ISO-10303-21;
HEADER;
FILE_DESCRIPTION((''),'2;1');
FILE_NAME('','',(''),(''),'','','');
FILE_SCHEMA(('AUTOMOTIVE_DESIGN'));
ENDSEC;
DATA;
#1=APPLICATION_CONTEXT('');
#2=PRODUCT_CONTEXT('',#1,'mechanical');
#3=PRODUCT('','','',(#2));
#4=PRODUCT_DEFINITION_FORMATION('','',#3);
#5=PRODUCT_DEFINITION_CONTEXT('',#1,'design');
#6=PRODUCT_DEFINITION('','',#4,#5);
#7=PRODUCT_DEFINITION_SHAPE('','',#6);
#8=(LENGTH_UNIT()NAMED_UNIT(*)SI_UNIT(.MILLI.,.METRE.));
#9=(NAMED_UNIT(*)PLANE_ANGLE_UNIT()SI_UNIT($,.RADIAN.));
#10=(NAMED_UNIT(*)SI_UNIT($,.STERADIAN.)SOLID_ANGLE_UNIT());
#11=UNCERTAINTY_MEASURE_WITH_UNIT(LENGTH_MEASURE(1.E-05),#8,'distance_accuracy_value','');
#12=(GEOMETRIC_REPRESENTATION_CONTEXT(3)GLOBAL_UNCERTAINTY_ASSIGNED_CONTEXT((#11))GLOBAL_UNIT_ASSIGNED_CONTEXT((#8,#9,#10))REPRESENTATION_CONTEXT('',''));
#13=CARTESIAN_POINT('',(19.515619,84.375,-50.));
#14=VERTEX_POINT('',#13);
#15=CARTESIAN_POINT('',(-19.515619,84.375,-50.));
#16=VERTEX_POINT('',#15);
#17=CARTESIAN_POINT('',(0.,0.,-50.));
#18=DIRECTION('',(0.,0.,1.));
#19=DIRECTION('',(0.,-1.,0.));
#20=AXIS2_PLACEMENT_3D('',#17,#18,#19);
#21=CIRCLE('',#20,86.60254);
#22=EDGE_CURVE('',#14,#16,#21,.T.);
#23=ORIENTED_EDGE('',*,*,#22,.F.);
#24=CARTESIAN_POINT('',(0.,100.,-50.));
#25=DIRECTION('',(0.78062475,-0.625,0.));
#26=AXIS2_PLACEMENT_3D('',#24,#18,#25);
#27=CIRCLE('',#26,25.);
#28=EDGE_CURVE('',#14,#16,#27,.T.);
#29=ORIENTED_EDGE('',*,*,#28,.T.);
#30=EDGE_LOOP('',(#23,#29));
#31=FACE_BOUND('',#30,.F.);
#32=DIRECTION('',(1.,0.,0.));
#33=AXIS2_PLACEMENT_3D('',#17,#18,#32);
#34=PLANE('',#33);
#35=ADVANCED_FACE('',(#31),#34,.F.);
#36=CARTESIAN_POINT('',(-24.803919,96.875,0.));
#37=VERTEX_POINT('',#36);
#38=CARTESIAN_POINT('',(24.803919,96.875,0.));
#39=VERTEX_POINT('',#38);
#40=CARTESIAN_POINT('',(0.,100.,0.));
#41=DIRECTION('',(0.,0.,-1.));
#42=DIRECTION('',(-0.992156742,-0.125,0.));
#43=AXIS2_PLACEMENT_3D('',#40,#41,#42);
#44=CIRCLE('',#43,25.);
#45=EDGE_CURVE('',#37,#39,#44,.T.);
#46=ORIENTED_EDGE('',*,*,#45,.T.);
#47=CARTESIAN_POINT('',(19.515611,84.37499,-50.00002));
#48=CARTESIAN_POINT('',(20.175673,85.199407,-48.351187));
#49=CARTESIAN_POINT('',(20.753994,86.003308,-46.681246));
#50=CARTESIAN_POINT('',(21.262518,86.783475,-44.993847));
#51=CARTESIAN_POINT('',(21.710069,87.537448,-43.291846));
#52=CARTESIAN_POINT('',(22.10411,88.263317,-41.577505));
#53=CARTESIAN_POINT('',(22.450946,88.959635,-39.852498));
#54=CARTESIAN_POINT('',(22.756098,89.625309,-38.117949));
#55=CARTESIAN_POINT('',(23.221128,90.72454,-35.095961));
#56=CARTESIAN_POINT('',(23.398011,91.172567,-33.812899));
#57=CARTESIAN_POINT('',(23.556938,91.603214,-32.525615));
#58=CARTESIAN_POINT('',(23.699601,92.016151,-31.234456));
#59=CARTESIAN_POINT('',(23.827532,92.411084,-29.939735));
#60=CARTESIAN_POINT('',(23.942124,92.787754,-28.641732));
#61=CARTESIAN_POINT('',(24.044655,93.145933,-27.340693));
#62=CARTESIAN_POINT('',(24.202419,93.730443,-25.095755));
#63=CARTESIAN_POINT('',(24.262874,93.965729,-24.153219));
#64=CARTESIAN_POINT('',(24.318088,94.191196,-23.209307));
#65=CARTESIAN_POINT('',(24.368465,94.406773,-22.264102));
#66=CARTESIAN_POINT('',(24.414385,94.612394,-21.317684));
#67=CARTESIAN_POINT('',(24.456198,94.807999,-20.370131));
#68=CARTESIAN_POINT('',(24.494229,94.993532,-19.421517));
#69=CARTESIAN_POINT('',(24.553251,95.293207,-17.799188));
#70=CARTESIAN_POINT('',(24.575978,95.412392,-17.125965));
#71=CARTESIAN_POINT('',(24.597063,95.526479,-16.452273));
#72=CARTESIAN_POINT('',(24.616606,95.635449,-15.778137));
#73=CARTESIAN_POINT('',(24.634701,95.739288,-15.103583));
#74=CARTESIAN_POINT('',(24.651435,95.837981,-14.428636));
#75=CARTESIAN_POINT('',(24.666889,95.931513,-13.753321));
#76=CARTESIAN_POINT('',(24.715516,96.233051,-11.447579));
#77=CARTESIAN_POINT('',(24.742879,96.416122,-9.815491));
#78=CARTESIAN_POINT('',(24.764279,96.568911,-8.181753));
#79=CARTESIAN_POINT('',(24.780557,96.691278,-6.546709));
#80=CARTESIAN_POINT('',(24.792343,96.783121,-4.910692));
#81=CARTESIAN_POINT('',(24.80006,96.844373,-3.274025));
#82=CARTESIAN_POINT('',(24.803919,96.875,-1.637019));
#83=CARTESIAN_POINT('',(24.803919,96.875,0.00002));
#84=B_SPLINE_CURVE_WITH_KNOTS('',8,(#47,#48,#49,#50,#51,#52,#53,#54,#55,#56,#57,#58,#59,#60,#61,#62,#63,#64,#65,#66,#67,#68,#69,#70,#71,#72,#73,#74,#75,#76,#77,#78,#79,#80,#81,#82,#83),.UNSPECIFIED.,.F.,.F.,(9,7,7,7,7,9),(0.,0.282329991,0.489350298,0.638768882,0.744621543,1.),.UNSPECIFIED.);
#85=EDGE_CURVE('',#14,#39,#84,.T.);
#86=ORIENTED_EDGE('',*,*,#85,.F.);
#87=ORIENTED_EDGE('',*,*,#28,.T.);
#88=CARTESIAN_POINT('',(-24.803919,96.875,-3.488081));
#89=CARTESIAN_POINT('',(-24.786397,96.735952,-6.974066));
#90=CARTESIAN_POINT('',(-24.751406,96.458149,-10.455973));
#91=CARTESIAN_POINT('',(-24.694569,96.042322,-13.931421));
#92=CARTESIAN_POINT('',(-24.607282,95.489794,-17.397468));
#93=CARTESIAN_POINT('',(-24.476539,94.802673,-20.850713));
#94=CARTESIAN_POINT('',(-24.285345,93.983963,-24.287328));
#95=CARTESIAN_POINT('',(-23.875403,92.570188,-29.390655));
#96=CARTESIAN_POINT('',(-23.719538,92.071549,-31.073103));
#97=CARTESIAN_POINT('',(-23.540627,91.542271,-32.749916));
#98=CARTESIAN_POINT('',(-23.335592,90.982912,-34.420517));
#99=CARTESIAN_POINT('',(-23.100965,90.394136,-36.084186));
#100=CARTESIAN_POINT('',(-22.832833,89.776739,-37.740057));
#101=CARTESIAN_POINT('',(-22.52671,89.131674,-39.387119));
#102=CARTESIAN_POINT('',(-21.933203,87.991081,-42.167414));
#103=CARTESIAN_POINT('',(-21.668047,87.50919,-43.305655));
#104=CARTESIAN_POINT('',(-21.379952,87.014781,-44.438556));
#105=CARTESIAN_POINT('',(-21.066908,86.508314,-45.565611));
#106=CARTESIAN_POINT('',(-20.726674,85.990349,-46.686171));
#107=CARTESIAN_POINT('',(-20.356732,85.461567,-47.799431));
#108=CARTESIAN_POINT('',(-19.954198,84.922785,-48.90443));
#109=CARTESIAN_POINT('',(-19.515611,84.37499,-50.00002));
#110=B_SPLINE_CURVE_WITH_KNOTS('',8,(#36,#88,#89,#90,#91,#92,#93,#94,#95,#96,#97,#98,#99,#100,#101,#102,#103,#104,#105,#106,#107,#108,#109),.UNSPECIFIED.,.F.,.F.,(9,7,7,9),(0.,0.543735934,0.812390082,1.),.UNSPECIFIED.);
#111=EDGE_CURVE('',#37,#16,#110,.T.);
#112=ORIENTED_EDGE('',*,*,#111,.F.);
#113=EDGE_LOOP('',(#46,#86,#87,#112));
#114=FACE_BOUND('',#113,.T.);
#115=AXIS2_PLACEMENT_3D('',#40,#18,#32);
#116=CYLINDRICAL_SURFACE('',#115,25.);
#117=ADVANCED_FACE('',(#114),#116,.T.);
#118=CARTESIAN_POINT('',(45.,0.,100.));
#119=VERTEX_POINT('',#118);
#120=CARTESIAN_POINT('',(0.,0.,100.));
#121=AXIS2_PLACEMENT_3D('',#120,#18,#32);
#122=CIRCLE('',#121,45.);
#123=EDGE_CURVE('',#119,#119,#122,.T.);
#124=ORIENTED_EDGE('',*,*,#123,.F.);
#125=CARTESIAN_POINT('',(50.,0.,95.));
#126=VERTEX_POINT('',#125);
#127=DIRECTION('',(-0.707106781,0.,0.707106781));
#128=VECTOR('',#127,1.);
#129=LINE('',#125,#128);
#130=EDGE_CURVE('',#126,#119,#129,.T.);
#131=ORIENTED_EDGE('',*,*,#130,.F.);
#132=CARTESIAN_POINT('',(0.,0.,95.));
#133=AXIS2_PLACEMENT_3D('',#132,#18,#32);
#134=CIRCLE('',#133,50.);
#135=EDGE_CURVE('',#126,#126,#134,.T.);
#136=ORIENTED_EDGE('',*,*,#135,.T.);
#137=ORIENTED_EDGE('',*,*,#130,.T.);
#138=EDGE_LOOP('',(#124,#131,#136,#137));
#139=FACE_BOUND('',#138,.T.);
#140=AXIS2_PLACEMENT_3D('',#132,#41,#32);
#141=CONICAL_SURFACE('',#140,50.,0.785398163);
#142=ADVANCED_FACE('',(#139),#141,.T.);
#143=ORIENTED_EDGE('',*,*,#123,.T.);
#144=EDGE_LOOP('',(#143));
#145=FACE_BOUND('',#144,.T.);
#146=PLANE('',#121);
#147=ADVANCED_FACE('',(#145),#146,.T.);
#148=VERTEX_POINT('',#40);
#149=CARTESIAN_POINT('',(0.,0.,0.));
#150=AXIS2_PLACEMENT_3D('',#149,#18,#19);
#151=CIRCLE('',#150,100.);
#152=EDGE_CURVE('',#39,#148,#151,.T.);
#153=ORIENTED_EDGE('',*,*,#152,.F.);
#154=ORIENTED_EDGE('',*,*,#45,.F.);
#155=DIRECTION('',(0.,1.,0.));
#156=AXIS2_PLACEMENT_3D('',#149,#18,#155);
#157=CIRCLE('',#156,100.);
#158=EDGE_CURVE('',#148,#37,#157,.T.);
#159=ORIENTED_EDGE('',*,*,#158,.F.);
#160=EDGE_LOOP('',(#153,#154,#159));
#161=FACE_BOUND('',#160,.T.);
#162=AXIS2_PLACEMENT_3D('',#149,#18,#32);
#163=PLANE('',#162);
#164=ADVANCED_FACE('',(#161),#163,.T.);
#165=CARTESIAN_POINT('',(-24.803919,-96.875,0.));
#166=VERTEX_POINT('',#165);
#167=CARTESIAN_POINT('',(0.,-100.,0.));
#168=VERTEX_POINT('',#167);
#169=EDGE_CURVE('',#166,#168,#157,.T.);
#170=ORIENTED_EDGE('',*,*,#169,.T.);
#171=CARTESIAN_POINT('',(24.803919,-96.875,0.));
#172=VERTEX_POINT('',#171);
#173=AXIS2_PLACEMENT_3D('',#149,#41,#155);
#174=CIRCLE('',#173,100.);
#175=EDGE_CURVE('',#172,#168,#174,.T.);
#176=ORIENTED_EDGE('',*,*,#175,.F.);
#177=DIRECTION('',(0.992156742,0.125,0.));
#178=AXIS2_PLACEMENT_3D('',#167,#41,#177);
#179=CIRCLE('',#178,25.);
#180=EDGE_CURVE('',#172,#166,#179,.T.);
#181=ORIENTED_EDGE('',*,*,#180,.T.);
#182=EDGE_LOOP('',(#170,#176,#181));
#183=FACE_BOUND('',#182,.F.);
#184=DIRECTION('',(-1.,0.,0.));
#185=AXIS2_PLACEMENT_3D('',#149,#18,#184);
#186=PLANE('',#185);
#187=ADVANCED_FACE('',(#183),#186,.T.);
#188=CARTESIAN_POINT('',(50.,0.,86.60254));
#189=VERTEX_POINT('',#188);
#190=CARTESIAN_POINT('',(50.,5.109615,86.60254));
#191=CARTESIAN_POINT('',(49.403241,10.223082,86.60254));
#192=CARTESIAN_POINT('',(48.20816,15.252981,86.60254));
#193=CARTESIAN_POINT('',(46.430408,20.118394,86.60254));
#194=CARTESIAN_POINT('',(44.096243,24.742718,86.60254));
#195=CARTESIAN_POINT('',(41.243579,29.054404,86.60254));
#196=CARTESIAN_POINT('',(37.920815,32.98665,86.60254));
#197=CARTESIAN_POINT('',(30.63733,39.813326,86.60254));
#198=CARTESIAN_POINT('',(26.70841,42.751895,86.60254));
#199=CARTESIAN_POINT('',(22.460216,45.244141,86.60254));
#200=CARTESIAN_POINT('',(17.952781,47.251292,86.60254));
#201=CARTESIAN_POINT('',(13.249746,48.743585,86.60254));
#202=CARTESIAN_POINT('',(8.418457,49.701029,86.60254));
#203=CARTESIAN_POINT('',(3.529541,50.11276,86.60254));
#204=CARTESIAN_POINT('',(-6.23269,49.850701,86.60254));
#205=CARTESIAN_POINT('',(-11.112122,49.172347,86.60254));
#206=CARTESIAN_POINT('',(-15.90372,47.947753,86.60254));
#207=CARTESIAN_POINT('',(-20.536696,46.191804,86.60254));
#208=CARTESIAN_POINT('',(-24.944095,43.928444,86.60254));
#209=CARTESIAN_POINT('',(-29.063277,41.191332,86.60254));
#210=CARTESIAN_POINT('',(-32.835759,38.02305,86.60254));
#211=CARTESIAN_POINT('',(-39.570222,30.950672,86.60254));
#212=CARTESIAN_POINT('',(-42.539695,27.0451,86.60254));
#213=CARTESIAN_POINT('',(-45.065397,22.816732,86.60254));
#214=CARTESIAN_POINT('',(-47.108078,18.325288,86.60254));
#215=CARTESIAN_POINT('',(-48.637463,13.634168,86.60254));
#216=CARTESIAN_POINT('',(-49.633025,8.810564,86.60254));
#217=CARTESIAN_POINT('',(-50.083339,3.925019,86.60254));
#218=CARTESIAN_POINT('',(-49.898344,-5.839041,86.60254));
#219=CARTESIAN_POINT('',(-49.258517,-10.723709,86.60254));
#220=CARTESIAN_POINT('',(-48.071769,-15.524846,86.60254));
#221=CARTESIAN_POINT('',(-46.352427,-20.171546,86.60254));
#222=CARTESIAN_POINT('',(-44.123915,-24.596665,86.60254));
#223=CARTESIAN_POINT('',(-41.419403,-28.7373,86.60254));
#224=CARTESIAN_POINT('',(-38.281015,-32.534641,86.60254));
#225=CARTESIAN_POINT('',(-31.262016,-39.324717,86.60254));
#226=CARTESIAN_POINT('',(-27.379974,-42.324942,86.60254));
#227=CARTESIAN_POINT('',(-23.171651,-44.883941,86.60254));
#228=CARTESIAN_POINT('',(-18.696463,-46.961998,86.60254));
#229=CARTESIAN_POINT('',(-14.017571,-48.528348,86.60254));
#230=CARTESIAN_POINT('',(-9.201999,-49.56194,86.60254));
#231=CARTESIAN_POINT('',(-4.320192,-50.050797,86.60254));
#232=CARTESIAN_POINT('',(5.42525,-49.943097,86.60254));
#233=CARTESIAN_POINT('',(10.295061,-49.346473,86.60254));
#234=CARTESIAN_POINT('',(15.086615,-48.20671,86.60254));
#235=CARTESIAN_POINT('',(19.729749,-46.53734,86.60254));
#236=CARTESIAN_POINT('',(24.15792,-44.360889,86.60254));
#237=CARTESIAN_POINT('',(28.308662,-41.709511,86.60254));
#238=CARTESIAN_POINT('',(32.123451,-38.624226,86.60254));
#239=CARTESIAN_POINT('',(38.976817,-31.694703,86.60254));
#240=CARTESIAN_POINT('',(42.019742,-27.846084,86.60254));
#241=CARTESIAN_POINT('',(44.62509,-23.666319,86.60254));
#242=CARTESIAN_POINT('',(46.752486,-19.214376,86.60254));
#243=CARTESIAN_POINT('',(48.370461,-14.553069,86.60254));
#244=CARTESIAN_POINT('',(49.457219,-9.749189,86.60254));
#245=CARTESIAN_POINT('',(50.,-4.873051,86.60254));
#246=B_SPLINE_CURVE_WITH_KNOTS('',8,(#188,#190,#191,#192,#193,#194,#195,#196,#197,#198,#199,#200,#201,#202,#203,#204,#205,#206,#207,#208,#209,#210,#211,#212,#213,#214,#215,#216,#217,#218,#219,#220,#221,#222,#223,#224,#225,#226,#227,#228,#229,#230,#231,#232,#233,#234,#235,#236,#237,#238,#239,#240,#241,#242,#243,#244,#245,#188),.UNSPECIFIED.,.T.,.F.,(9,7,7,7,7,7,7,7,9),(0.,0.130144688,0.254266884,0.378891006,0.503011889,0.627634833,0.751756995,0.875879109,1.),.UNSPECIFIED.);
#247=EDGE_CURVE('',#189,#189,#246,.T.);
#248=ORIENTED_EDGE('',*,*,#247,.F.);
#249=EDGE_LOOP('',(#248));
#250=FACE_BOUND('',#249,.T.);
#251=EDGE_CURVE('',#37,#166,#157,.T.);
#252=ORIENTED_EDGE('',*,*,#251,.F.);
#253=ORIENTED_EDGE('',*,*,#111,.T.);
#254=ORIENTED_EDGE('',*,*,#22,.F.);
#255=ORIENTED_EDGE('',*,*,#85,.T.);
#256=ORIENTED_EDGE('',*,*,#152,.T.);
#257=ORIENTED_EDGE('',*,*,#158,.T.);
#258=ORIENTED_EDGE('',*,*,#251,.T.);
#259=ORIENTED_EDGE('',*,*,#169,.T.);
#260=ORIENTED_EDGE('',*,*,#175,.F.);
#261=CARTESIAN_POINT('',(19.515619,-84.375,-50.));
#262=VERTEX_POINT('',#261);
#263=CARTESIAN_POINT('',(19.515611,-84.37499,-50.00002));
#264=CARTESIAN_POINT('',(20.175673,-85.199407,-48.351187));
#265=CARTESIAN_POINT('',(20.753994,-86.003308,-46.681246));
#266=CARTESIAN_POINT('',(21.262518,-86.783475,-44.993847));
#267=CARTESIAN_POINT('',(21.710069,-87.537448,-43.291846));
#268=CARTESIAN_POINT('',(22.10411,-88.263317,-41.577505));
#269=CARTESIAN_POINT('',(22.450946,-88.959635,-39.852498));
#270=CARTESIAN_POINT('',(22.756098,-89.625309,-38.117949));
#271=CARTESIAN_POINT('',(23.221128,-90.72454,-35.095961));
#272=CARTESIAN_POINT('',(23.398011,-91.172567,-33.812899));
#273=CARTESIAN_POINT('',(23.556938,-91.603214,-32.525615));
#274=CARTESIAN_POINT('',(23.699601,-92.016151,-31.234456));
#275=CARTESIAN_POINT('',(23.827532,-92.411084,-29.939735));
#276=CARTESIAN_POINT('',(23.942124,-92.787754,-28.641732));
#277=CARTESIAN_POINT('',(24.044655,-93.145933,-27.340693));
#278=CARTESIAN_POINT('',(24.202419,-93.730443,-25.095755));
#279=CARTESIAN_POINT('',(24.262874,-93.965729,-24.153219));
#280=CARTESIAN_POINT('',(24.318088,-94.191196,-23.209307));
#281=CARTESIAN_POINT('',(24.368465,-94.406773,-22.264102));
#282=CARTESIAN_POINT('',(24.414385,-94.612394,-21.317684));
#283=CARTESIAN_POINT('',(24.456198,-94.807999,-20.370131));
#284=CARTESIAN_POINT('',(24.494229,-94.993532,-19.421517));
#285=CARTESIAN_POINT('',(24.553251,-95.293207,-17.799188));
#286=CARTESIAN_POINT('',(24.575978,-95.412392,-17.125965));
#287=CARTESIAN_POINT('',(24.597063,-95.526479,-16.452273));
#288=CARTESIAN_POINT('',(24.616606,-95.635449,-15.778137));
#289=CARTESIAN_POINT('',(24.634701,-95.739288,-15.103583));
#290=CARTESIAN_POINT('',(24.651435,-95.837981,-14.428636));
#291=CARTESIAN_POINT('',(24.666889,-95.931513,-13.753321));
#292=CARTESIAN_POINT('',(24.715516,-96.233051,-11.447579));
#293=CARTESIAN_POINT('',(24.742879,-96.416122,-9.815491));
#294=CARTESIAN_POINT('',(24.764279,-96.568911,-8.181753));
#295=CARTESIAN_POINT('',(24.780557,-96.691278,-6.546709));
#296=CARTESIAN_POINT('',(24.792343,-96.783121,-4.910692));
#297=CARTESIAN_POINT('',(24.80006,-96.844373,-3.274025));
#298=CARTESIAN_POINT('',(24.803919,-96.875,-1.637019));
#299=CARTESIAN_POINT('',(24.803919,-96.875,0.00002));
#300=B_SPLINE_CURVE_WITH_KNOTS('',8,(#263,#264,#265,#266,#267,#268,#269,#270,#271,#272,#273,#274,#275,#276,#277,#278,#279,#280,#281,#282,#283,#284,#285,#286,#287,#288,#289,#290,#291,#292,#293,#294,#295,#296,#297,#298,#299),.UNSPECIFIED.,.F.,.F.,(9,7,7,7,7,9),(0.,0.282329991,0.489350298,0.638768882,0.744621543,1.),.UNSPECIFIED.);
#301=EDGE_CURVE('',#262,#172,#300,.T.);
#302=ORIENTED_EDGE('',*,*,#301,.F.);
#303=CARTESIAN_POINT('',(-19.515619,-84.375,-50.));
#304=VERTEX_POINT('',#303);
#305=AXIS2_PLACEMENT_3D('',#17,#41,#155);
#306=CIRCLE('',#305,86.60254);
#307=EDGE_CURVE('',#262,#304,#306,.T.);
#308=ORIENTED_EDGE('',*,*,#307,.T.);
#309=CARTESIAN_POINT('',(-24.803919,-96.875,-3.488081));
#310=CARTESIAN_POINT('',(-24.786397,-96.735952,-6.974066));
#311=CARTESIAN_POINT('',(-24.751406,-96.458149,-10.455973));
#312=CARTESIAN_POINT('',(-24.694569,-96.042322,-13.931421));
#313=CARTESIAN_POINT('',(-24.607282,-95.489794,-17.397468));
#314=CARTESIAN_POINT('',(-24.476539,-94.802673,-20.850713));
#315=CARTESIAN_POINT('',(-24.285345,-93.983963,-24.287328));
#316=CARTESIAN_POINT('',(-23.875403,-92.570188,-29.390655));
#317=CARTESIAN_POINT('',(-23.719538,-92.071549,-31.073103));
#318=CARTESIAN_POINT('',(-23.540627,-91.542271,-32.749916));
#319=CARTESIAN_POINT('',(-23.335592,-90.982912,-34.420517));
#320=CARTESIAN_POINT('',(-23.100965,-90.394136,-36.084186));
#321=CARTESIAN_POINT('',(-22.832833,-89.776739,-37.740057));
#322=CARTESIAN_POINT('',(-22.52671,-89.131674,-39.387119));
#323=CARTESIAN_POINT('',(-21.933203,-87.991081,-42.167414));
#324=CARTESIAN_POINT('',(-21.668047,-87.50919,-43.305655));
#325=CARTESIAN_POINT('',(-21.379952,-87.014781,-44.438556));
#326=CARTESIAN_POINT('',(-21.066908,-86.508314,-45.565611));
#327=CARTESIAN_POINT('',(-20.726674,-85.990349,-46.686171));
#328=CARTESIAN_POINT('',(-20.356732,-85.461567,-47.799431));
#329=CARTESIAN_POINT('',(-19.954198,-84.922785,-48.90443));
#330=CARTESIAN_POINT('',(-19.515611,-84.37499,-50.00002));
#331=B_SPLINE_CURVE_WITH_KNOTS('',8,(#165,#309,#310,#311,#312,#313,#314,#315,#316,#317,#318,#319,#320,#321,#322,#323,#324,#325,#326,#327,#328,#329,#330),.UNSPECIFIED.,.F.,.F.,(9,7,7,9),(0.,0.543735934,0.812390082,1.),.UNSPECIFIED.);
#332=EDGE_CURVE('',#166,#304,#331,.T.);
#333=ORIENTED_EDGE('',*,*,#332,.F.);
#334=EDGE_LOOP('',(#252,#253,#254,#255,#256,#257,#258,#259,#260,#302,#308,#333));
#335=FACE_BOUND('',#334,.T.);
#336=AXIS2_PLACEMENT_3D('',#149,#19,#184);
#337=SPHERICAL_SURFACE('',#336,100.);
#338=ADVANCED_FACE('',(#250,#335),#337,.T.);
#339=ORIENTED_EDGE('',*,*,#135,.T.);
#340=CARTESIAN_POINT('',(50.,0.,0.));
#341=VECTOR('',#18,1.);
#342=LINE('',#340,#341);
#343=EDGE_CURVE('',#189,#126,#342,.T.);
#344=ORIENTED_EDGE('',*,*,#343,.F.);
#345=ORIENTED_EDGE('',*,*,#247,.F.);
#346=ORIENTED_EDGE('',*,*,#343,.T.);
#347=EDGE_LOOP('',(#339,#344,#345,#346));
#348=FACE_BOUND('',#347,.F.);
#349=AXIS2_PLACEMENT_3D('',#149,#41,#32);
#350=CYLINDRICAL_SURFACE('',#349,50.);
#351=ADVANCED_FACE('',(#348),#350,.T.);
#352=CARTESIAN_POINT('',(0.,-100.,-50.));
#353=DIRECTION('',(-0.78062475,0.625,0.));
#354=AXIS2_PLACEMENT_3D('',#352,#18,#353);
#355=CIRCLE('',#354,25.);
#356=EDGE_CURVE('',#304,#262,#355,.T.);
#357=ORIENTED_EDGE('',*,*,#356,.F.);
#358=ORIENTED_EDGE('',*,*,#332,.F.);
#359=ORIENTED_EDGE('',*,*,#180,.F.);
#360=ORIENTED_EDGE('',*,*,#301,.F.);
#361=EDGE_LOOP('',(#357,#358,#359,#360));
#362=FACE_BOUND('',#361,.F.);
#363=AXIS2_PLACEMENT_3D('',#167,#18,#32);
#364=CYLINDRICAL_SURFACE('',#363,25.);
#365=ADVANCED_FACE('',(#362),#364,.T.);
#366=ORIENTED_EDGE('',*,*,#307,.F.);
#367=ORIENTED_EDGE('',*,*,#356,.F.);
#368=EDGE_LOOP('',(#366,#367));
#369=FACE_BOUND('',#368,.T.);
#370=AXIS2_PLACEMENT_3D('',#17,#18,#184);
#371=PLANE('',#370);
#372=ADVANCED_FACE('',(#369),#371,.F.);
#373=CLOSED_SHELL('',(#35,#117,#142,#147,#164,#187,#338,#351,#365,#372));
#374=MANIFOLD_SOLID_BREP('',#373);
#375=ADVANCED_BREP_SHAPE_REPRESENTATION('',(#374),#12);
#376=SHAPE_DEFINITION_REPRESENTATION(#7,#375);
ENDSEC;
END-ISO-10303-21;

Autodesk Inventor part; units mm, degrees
sketch "スケッチ1" plane through (0, 0, 0) normal (0, 0, 1) x (1, 0, 0)
  arc A0 (0, 100) -> (0, -100) centre (0, 0) ccw
  line L0 (0, 100) -> (0, -100)
  dimension "d0" = 200
revolve "回転1" add sketch "スケッチ1" angle 360 about axis through (0, 100, 0) along (0, -1, 0)
ref_plane "作業平面1" through (0, 0, 200) normal (0, 0, 1) x (1, 0, 0)
ref_plane "作業平面2" through (0, 100, 0) normal (0, 1, 0) x (-1, 0, 0)
ref_plane "作業平面3" through (0, -100, 0) normal (0, 1, 0) x (-1, 0, 0)
ref_plane "作業平面4" through (0, 0, -100) normal (0, 0, 1) x (1, 0, 0)
sketch "スケッチ2" plane through (0, 0, 0) normal (0, 0, 1) x (1, 0, 0)
  circle A0 centre (0, 0) radius 50
  dimension "d6" = 100
extrude "押し出し1" add sketch "スケッチ2" along normal blind 100
chamfer "面取り1" distance 5 angle 45 1 edges at (-50, 0, 100)
sketch "スケッチ3" plane through (0, 0, 0) normal (0, 0, 1) x (1, 0, 0)
  circle A0 centre (0, 100) radius 25
  point P0 (0, 0)
  dimension "d12" = 50
  dimension "d13" = 100
extrude "押し出し2" add sketch "スケッチ3" against normal blind 50
mirror "ミラー1" about plane through (0, 0, 0) normal (0, 1, 0) of "押し出し2"
properties part number "Hips"
